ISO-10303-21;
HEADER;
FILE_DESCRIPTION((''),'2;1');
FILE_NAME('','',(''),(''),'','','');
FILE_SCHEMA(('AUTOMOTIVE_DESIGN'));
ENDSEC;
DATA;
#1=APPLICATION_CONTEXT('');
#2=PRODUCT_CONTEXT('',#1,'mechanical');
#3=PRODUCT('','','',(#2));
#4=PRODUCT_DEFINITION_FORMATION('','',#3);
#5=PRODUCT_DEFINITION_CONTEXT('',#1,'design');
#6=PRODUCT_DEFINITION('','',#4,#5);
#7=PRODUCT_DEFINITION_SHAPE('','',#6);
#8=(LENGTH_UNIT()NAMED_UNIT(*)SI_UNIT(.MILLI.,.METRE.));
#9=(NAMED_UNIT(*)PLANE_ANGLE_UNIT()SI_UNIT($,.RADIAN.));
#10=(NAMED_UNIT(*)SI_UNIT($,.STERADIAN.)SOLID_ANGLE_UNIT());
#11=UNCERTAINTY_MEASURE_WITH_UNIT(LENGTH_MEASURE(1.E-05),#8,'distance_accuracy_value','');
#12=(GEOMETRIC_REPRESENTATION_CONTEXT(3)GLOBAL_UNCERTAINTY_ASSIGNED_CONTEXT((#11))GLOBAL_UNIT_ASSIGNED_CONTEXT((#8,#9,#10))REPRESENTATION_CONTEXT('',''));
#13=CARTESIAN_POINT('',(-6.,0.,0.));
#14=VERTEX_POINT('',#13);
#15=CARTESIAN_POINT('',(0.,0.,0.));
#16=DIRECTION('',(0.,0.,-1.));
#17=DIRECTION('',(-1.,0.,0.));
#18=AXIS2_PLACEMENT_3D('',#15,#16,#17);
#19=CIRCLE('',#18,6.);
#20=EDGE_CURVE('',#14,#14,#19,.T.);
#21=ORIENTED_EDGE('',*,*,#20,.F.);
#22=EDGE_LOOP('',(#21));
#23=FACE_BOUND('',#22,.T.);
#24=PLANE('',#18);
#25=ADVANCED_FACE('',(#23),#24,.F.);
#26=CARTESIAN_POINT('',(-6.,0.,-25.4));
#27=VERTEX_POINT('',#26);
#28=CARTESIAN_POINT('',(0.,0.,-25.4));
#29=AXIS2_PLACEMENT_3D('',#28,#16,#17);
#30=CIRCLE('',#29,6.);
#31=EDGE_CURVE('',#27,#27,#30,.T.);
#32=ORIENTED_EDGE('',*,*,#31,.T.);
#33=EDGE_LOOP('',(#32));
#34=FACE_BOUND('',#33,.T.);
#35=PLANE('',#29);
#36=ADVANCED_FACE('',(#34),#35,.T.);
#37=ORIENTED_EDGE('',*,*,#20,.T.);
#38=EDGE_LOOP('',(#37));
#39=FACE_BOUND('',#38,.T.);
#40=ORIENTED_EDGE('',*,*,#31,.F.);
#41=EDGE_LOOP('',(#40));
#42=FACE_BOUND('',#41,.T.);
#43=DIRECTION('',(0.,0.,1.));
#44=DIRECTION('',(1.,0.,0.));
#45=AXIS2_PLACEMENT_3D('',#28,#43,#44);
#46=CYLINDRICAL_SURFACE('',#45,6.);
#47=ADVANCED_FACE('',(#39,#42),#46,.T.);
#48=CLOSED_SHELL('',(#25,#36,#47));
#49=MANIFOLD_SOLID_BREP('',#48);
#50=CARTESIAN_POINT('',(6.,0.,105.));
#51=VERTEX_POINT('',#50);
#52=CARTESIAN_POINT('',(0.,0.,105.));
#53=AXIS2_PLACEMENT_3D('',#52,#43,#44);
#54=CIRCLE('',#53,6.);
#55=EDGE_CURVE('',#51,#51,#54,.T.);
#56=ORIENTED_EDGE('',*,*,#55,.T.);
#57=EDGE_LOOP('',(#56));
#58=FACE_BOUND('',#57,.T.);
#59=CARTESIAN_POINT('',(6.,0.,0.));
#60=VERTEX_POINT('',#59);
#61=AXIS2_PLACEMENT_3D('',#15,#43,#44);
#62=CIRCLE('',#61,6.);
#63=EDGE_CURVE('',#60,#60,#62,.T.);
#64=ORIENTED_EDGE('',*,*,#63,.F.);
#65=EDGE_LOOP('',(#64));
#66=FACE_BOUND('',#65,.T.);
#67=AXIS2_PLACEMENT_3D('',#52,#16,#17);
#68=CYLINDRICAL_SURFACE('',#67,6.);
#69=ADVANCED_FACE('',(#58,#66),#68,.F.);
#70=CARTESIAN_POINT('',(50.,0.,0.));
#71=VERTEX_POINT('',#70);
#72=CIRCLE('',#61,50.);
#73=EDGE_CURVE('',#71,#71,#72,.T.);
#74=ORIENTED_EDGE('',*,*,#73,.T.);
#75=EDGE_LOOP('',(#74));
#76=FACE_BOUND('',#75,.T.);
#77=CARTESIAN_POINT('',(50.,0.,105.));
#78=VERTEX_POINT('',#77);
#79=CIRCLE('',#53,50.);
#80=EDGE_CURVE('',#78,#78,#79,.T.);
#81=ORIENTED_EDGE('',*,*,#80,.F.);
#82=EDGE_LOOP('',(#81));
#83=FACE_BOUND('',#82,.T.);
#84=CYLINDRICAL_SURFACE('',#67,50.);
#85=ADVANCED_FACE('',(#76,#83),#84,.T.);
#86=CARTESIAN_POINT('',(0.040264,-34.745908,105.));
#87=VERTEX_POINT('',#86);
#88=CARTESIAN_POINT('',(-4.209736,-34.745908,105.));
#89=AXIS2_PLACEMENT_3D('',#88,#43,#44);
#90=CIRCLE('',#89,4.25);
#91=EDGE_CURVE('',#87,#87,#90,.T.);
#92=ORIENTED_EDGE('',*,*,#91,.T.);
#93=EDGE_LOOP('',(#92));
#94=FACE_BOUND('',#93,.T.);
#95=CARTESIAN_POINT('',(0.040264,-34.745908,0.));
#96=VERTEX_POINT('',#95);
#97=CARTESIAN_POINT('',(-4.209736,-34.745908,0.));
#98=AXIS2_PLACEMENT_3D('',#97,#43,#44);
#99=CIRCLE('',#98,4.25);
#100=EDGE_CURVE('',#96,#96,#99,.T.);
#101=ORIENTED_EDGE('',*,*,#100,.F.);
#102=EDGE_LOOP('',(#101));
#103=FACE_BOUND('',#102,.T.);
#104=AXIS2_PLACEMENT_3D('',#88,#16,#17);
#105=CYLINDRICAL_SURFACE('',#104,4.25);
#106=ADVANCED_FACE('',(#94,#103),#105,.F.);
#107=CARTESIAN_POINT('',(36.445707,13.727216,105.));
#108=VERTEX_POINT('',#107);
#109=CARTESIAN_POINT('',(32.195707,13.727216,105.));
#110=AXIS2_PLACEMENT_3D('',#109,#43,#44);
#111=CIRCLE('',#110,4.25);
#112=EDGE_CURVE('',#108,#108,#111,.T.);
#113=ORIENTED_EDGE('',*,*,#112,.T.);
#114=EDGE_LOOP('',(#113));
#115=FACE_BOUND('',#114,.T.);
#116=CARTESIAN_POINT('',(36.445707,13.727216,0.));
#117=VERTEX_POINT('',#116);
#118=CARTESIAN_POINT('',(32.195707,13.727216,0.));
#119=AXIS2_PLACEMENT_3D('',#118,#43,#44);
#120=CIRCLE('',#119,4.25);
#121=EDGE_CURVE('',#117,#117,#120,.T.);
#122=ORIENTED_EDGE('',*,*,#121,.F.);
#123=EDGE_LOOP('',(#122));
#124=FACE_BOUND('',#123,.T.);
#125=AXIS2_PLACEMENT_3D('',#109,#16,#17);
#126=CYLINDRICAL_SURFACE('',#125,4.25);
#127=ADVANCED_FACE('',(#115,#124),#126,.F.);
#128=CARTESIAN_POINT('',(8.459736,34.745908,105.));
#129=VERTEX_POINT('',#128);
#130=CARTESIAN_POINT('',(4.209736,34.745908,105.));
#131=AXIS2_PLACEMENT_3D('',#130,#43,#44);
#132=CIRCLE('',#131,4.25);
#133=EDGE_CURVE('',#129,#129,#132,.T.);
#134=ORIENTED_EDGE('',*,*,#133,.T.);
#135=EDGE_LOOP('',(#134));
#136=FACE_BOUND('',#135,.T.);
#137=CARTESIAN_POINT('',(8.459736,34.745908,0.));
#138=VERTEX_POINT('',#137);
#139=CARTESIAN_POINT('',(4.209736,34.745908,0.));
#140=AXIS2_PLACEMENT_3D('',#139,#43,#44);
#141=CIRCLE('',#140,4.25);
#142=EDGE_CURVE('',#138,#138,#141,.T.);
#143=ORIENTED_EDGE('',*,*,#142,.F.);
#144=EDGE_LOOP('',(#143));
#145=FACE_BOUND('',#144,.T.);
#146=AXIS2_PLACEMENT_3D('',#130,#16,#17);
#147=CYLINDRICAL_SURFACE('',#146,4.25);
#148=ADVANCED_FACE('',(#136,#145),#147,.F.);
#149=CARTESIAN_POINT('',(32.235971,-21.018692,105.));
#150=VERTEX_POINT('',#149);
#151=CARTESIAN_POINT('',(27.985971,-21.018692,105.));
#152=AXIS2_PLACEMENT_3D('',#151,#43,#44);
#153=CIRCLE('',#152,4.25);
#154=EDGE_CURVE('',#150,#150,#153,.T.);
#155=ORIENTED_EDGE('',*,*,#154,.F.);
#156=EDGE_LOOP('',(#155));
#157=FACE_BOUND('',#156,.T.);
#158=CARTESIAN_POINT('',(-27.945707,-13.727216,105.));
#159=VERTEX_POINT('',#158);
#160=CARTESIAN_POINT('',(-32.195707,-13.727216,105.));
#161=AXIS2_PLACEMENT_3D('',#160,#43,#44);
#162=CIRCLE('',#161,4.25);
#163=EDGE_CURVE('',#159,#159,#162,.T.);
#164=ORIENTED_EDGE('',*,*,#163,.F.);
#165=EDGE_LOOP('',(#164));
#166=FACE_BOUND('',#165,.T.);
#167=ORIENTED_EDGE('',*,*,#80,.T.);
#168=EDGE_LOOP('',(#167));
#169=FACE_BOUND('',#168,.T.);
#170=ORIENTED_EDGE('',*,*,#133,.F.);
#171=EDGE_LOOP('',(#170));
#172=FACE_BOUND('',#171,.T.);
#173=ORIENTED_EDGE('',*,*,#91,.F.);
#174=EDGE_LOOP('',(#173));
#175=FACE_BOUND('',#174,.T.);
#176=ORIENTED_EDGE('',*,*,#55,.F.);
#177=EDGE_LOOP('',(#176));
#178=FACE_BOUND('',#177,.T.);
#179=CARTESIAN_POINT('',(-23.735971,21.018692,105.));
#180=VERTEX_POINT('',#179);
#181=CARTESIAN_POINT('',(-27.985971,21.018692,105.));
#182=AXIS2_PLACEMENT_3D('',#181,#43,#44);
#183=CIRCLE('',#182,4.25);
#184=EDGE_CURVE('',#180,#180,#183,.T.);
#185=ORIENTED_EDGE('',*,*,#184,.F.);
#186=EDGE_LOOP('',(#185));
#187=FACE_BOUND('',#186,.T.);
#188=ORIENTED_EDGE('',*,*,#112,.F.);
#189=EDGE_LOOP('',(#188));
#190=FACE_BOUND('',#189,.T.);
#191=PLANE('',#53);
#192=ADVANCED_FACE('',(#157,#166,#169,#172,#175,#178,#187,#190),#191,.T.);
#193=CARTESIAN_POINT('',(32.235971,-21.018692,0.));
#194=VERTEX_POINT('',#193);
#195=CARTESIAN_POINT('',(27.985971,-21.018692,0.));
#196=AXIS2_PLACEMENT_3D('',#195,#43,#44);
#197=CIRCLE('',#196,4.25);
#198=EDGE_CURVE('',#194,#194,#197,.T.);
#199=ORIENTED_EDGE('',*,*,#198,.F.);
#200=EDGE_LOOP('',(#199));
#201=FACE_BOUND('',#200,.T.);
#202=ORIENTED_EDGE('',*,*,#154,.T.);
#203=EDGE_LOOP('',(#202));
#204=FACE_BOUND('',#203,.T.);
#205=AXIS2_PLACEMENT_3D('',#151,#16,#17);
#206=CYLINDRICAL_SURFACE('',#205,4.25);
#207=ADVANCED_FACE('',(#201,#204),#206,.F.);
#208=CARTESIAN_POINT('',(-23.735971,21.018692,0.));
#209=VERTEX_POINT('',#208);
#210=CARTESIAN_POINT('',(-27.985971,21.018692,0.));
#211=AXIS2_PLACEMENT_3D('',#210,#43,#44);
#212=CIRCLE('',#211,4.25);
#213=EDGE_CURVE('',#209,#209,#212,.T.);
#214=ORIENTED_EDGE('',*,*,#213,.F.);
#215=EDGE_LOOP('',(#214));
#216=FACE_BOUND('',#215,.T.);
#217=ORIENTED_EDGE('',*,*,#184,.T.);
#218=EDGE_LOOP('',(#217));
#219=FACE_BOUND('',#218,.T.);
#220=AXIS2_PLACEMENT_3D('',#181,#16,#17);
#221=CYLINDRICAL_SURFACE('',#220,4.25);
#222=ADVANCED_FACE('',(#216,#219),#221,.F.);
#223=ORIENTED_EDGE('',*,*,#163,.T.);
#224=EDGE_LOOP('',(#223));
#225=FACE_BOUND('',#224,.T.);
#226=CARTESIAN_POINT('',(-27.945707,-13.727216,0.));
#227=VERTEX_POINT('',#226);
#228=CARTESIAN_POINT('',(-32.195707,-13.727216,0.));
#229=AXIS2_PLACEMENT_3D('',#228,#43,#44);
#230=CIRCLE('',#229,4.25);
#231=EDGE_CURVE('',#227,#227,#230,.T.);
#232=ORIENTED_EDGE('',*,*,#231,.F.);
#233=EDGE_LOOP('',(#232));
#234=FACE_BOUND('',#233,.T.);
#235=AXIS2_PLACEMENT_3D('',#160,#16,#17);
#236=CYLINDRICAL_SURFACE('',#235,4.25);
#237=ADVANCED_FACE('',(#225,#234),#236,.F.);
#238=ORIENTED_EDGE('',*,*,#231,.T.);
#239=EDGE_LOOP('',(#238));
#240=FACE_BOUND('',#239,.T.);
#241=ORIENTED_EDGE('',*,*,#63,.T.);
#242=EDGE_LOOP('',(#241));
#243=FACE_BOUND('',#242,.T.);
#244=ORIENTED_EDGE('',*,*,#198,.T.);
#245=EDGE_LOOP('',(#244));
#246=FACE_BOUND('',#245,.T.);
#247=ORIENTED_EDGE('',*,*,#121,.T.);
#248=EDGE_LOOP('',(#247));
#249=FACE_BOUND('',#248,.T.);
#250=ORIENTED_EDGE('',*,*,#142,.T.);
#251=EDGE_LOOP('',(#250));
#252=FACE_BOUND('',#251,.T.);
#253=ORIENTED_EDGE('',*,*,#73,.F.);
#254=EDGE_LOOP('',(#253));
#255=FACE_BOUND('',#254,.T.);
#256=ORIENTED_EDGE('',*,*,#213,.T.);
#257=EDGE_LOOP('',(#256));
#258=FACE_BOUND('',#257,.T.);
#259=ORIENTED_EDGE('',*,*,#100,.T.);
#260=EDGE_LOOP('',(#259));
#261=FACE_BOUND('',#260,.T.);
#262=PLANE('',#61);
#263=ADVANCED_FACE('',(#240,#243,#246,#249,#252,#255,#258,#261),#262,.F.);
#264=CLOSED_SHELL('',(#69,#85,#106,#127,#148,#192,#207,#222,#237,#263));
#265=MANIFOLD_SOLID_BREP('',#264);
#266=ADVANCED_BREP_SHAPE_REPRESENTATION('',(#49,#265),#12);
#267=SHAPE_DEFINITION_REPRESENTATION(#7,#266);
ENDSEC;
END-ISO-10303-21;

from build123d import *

# Parameters (mm, degrees)
SKETCH1_R           = 50
SKETCH1_R_2         = 4.25
SKETCH1_R_3         = 6
BOSS_EXTRUDE1_DEPTH = 105
SKETCH2_R           = 6
BOSS_EXTRUDE2_DEPTH = 25.4


with BuildPart() as part:
    # Sketch1 → Boss-Extrude1 (new body)
    with BuildSketch(Plane.XY):
        Circle(SKETCH1_R)
        with Locations((-27.985970979, 21.018692356)):
            Circle(SKETCH1_R_2, mode=Mode.SUBTRACT)
        with Locations((4.209736046, 34.745907995)):
            Circle(SKETCH1_R_2, mode=Mode.SUBTRACT)
        with Locations((32.195707024, 13.727215639)):
            Circle(SKETCH1_R_2, mode=Mode.SUBTRACT)
        with Locations((27.985970979, -21.018692356)):
            Circle(SKETCH1_R_2, mode=Mode.SUBTRACT)
        with Locations((-4.209736046, -34.745907995)):
            Circle(SKETCH1_R_2, mode=Mode.SUBTRACT)
        with Locations((-32.195707024, -13.727215639)):
            Circle(SKETCH1_R_2, mode=Mode.SUBTRACT)
        Circle(SKETCH1_R_3, mode=Mode.SUBTRACT)
    extrude(amount=BOSS_EXTRUDE1_DEPTH)


with BuildPart() as body_2:
    # Sketch2 → Boss-Extrude2 (new body)
    with BuildSketch(Plane(origin=(0, 0, 0), x_dir=(-1, 0, 0), z_dir=(0, 0, -1))):
        Circle(SKETCH2_R)
    extrude(amount=BOSS_EXTRUDE2_DEPTH)


solid = Compound([part.part, body_2.part])
